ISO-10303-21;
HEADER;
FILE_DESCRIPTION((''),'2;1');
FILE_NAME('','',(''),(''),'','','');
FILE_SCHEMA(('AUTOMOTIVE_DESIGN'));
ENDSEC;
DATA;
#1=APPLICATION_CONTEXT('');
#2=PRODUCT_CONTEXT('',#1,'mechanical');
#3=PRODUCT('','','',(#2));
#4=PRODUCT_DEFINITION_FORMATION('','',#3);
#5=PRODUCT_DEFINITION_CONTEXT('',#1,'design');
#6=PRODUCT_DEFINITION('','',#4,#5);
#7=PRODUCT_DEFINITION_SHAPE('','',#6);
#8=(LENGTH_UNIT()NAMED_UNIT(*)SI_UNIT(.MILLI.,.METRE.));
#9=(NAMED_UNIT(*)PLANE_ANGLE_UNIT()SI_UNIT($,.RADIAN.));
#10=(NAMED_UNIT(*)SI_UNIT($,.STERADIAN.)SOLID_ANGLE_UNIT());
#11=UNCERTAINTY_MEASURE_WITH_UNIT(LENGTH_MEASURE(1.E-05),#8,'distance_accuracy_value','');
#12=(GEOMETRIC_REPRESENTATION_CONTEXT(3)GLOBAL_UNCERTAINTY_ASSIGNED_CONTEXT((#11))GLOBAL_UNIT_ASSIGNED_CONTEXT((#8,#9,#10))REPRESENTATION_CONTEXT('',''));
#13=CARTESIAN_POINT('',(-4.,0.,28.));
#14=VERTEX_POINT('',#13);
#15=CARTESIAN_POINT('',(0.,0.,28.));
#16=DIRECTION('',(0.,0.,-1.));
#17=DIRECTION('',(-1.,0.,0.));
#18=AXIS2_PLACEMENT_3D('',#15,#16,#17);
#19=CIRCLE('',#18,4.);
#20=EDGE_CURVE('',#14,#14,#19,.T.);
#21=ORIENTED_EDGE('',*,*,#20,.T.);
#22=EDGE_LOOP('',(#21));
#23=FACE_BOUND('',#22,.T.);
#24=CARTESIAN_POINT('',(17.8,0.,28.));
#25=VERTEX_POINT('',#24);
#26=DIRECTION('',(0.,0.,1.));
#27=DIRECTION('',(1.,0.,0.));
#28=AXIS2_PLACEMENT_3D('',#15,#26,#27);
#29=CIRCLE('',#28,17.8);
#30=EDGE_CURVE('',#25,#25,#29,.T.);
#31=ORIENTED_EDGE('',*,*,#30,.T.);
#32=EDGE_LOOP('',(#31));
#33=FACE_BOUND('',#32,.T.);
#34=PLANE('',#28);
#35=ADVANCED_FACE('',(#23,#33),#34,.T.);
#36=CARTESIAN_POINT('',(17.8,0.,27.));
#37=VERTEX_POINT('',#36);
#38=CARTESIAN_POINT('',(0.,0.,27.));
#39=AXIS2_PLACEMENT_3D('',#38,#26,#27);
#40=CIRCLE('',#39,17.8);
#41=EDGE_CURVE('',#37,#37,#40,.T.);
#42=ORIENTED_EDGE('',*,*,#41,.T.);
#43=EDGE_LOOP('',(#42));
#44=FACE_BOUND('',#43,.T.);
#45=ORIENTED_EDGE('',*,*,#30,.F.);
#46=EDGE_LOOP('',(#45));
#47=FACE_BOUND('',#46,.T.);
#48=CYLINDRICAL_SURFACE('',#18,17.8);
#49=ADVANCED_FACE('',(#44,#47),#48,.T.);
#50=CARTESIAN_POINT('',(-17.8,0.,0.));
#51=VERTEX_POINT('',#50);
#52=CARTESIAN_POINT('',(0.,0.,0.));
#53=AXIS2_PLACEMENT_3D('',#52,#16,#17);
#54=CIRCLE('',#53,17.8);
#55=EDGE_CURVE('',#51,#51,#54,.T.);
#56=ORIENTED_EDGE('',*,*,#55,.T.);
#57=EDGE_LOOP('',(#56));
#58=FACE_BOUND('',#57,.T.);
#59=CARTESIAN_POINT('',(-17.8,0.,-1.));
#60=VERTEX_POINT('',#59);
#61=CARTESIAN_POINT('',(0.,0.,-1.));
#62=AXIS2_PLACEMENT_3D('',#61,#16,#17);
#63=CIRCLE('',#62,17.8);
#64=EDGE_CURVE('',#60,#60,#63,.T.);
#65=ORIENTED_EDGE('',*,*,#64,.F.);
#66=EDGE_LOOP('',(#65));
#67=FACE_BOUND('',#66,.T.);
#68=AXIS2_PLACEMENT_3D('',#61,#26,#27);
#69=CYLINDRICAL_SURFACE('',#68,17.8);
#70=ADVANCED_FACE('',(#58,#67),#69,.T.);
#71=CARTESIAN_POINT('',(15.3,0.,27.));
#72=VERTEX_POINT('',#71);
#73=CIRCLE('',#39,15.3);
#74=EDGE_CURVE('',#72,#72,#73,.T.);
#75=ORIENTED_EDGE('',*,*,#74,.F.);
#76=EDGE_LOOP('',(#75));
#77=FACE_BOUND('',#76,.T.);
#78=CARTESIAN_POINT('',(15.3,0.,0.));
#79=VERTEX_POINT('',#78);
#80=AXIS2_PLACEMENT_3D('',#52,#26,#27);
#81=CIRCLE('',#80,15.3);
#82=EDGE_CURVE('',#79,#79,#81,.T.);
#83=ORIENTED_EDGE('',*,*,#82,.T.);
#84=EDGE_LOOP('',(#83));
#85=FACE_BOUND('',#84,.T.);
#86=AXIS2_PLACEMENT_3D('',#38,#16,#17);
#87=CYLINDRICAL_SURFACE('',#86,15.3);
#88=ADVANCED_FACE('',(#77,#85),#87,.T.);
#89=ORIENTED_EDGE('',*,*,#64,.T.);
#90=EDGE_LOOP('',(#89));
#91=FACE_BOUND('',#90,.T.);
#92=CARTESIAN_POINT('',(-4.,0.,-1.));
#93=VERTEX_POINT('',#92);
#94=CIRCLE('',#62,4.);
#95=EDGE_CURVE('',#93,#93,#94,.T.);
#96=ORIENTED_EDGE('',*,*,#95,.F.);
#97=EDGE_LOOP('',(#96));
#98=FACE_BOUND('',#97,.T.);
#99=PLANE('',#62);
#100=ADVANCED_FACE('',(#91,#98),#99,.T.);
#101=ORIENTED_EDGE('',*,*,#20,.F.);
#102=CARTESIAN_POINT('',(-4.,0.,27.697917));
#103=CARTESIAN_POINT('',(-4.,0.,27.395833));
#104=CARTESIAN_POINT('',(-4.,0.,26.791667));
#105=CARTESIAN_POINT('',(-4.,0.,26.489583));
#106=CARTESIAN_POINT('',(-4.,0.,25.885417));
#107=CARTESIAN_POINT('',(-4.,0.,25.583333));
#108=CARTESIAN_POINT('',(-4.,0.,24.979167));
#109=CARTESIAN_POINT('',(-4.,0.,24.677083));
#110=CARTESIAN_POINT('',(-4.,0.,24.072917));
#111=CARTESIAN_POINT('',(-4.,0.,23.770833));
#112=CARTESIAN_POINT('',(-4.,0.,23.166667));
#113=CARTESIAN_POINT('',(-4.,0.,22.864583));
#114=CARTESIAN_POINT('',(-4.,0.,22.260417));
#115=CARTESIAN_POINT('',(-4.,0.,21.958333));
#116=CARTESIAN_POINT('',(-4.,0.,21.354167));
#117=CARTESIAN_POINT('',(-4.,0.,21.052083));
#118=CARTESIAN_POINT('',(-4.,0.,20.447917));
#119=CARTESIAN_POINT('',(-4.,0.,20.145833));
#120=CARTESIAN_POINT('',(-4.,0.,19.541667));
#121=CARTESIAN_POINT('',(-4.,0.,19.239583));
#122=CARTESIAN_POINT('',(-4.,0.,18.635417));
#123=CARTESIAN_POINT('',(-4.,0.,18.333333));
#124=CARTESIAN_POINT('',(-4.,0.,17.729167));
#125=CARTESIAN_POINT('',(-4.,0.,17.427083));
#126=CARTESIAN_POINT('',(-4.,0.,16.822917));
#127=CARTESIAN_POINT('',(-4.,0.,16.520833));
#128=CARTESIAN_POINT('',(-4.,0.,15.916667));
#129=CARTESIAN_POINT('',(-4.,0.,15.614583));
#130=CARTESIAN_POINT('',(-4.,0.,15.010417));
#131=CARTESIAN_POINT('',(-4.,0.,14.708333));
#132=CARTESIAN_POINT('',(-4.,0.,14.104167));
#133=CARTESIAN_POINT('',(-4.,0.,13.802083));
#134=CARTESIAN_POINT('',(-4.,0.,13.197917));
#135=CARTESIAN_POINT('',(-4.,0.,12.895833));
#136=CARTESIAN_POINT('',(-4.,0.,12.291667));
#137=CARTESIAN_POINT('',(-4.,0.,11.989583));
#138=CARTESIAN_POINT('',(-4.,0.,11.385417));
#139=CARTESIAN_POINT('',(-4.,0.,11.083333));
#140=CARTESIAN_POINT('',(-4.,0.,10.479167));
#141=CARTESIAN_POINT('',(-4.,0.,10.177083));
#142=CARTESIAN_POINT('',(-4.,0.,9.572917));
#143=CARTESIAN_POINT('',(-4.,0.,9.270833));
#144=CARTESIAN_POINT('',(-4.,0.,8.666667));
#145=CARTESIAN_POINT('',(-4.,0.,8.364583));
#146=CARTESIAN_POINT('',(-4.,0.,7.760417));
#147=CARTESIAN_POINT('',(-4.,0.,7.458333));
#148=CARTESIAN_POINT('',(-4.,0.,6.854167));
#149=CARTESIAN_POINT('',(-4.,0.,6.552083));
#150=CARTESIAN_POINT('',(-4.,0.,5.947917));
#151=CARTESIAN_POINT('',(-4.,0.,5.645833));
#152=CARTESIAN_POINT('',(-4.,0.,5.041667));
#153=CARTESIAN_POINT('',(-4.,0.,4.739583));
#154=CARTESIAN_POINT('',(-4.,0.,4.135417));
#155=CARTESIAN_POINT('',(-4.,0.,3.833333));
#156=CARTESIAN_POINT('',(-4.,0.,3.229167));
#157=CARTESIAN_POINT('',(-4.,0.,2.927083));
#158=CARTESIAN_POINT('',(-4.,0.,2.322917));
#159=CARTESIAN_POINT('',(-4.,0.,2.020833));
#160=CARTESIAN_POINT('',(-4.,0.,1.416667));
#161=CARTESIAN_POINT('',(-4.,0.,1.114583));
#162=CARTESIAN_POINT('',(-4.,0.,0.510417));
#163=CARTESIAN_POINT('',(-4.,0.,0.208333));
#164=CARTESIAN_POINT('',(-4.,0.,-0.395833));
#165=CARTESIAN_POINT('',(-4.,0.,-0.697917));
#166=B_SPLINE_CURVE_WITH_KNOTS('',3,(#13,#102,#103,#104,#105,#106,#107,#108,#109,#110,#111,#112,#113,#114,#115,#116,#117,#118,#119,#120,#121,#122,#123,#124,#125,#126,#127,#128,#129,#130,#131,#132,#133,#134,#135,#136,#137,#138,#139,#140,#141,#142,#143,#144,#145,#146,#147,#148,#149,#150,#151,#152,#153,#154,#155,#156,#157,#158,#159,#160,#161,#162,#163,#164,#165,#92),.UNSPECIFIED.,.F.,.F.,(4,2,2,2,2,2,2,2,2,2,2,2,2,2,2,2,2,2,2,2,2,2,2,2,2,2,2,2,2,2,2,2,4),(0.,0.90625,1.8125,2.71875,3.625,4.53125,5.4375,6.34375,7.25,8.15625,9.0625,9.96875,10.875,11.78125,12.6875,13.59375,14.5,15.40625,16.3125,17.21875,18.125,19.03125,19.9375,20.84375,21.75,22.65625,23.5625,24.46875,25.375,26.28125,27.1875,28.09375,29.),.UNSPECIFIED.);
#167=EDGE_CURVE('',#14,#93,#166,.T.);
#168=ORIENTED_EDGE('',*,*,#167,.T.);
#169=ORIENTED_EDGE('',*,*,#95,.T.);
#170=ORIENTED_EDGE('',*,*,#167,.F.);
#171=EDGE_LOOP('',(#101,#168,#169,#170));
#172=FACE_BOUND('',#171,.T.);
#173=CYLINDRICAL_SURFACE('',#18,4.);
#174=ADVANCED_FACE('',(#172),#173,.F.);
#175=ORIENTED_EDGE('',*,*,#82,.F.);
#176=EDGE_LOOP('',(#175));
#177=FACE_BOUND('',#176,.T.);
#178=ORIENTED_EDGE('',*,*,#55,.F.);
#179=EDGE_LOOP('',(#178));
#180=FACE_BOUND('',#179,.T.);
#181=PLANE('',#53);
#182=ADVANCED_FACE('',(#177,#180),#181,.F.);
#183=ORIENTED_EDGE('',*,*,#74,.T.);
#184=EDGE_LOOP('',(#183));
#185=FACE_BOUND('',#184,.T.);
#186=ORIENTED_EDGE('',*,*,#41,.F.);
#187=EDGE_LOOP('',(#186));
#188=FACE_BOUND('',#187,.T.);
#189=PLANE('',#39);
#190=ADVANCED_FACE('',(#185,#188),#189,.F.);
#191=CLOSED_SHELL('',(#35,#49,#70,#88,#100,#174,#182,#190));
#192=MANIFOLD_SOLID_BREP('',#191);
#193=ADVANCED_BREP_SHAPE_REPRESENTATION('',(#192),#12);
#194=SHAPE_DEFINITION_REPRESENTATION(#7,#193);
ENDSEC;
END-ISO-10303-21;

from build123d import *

# Parameters (mm, degrees)
SKETCH1_R           = 15.3
BOSS_EXTRUDE1_DEPTH = 27
SKETCH2_R           = 17.8
BOSS_EXTRUDE2_DEPTH = 1
BOSS_EXTRUDE4_START = 1
SKETCH6_R           = 17.8
BOSS_EXTRUDE4_DEPTH = 1
SKETCH7_R           = 4
CUT_EXTRUDE1_DEPTH  = 39.401562468


with BuildPart() as part:
    # Sketch1 → Boss-Extrude1 (new body)
    with BuildSketch(Plane.XY):
        Circle(SKETCH1_R)
    extrude(amount=BOSS_EXTRUDE1_DEPTH)

    # Sketch2 → Boss-Extrude2 (add)
    with BuildSketch(Plane.XY.offset(27)):
        Circle(SKETCH2_R)
    extrude(amount=BOSS_EXTRUDE2_DEPTH)

    # Sketch6 → Boss-Extrude4 (add)
    with BuildSketch(Plane(origin=(0, 0, 0), x_dir=(-1, 0, 0), z_dir=(0, 0, -1)).offset(BOSS_EXTRUDE4_START)):
        with Locations(Location((0, 0, 0), (0, 0, 180))):
            Circle(SKETCH6_R)
    extrude(amount=-BOSS_EXTRUDE4_DEPTH)

    # Sketch7 → Cut-Extrude1 (cut, through all)
    with BuildSketch(Plane(origin=(0, 0, -1), x_dir=(-1, 0, 0), z_dir=(0, 0, -1))):
        Circle(SKETCH7_R)
    extrude(amount=-CUT_EXTRUDE1_DEPTH, mode=Mode.SUBTRACT)


solid = part.part
